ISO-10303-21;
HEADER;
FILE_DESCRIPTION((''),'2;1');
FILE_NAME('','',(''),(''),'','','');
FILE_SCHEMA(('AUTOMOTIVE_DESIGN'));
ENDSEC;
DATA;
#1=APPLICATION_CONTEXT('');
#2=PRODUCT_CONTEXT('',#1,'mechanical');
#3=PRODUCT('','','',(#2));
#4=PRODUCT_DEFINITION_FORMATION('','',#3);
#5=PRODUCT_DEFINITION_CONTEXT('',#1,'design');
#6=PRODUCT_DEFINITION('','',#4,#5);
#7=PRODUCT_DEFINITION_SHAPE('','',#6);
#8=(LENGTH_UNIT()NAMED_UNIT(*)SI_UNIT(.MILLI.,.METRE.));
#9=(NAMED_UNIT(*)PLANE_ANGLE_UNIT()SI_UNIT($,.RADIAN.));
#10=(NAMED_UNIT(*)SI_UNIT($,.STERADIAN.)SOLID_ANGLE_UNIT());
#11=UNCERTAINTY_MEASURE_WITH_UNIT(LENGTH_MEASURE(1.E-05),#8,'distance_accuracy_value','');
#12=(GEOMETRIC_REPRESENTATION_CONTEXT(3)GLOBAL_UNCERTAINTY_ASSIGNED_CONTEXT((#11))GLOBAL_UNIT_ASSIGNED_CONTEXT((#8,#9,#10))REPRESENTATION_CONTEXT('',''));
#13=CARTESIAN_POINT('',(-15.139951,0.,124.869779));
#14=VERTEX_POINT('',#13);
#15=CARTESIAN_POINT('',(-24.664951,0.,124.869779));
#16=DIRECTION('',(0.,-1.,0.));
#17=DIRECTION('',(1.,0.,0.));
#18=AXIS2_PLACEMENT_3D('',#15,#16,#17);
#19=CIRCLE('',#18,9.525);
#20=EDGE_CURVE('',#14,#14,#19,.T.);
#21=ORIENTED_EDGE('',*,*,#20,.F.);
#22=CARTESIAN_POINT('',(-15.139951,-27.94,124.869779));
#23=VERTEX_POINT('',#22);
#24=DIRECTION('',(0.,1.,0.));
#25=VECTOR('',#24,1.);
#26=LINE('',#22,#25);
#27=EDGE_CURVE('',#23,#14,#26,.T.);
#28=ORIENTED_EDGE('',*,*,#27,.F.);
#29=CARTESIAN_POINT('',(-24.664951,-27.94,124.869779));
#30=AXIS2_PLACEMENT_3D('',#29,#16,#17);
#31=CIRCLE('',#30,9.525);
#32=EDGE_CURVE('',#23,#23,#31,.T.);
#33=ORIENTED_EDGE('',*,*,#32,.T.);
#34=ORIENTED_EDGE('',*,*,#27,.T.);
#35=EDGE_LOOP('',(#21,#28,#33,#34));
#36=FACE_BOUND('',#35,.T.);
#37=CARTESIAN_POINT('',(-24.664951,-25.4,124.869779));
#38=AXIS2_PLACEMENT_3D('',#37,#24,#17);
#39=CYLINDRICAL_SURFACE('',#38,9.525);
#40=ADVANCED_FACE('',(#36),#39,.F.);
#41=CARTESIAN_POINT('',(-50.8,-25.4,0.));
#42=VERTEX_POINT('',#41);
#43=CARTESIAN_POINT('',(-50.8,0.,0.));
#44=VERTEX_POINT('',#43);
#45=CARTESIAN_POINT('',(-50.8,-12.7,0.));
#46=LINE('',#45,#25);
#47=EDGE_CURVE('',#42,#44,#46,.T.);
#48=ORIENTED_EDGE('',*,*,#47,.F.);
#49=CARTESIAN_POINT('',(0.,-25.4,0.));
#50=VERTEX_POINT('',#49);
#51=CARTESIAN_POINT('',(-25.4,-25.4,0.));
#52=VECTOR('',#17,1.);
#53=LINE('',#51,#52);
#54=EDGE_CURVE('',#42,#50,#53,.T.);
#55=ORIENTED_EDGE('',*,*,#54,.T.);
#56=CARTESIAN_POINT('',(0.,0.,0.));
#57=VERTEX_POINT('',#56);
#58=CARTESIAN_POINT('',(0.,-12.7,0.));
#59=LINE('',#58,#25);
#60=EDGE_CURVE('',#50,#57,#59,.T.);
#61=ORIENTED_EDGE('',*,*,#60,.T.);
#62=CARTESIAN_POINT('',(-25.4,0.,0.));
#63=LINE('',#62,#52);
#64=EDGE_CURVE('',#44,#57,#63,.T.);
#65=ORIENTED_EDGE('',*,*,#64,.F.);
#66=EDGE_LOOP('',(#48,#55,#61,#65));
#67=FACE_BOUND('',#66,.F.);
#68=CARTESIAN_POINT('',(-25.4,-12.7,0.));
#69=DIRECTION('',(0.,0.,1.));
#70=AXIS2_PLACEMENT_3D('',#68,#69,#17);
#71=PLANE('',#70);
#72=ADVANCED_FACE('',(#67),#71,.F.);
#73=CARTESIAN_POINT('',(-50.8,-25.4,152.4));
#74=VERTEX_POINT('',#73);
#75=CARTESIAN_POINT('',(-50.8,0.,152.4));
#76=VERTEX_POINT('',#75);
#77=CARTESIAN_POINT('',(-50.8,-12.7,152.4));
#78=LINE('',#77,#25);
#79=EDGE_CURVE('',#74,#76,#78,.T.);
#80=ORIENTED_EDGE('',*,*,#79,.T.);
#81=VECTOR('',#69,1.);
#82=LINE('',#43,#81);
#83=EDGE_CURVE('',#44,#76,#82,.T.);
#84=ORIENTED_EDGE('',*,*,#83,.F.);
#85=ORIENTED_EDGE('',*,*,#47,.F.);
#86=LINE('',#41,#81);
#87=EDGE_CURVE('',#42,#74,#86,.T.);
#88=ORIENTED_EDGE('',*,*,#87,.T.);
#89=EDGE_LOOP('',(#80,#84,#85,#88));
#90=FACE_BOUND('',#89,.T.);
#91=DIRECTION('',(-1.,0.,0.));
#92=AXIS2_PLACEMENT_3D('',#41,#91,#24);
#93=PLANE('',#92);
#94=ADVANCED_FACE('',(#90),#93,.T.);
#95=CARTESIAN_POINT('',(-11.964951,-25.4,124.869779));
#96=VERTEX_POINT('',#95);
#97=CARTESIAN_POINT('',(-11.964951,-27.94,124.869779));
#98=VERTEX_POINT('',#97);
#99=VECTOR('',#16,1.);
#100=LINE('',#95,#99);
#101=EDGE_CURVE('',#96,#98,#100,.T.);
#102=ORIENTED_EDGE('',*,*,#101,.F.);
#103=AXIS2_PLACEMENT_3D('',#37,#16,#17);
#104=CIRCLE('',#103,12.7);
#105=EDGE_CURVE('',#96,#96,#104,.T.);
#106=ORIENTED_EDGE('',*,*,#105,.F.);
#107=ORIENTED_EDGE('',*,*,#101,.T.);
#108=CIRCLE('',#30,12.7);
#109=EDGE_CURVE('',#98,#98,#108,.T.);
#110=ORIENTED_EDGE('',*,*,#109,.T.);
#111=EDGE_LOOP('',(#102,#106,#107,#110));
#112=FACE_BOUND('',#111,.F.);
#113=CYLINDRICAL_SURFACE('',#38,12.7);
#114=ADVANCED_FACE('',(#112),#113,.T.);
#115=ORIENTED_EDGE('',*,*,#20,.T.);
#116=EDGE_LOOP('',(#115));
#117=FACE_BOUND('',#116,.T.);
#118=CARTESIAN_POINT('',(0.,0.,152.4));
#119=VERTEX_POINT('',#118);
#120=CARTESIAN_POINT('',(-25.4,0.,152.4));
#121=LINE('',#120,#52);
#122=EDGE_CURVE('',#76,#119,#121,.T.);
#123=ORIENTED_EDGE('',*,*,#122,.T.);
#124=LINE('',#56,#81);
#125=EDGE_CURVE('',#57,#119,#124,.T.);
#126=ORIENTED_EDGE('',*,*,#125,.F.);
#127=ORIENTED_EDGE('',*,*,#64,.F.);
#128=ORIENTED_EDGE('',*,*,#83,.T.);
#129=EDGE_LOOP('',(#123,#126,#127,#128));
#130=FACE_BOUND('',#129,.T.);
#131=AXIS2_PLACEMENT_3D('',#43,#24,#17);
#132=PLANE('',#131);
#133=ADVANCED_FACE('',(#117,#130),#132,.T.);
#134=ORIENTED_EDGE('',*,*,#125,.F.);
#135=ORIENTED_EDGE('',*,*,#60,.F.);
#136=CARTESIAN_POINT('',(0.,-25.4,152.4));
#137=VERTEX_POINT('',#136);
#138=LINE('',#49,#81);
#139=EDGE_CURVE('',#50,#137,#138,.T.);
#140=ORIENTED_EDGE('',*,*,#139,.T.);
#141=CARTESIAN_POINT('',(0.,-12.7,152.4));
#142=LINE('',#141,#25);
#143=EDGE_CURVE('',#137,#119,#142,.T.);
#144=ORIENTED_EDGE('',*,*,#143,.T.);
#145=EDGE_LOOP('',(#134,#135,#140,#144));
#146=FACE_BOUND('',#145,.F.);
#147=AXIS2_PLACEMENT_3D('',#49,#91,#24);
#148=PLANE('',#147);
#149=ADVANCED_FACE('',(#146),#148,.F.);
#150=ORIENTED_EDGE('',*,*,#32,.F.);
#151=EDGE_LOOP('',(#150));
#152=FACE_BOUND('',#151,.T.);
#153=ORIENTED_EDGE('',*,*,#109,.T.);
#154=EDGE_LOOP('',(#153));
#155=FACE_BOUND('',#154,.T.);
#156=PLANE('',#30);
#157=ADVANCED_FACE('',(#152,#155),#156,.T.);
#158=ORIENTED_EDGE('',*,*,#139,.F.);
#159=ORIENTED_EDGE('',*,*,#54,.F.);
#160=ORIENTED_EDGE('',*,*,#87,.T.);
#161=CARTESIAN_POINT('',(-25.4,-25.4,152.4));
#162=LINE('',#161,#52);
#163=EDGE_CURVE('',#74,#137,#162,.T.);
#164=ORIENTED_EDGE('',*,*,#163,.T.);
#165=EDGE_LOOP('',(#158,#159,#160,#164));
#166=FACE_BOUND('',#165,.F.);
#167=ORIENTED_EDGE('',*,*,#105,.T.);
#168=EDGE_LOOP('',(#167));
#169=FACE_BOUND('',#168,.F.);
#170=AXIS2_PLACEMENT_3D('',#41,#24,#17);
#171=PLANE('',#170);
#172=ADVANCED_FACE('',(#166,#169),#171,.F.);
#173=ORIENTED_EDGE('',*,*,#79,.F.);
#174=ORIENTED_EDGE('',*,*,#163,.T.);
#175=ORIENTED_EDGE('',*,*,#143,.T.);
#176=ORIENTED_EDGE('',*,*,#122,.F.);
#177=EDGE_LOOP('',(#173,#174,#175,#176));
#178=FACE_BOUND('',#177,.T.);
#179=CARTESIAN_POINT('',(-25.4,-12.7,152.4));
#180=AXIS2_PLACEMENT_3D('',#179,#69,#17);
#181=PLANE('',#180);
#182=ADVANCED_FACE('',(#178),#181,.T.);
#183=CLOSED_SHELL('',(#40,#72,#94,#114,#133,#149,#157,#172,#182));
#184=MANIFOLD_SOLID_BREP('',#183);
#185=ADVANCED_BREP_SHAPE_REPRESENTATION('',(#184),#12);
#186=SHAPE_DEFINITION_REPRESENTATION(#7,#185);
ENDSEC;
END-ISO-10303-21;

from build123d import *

# Parameters (mm, degrees)
F0_W     = 50.8
F0_H     = 25.4
F1_DEPTH = 152.4
F2_R     = 9.525
F3_DEPTH = 25.4
F4_R     = 12.7
F4_R_2   = 9.525
F5_DEPTH = 2.54


with BuildPart() as f1:
    # F0 (on Top) → F1 (new body)
    with BuildSketch(Plane.XY):
        with Locations((-25.4, -12.7)):
            Rectangle(F0_W, F0_H)
    extrude(amount=F1_DEPTH)

    # F2 (on face) → F3 (cut)
    with BuildSketch(Plane.XZ.offset(25.4)):
        with Locations((-24.664951, 124.869779)):
            Circle(F2_R)
    extrude(amount=-F3_DEPTH, mode=Mode.SUBTRACT)

    # F4 (on face) → F5 (join)
    with BuildSketch(Plane.XZ.offset(25.4)):
        with Locations((-24.664951, 124.869779)):
            Circle(F4_R)
        with Locations((-24.664951, 124.869779)):
            Circle(F4_R_2, mode=Mode.SUBTRACT)
    extrude(amount=F5_DEPTH)


solid = f1.part
